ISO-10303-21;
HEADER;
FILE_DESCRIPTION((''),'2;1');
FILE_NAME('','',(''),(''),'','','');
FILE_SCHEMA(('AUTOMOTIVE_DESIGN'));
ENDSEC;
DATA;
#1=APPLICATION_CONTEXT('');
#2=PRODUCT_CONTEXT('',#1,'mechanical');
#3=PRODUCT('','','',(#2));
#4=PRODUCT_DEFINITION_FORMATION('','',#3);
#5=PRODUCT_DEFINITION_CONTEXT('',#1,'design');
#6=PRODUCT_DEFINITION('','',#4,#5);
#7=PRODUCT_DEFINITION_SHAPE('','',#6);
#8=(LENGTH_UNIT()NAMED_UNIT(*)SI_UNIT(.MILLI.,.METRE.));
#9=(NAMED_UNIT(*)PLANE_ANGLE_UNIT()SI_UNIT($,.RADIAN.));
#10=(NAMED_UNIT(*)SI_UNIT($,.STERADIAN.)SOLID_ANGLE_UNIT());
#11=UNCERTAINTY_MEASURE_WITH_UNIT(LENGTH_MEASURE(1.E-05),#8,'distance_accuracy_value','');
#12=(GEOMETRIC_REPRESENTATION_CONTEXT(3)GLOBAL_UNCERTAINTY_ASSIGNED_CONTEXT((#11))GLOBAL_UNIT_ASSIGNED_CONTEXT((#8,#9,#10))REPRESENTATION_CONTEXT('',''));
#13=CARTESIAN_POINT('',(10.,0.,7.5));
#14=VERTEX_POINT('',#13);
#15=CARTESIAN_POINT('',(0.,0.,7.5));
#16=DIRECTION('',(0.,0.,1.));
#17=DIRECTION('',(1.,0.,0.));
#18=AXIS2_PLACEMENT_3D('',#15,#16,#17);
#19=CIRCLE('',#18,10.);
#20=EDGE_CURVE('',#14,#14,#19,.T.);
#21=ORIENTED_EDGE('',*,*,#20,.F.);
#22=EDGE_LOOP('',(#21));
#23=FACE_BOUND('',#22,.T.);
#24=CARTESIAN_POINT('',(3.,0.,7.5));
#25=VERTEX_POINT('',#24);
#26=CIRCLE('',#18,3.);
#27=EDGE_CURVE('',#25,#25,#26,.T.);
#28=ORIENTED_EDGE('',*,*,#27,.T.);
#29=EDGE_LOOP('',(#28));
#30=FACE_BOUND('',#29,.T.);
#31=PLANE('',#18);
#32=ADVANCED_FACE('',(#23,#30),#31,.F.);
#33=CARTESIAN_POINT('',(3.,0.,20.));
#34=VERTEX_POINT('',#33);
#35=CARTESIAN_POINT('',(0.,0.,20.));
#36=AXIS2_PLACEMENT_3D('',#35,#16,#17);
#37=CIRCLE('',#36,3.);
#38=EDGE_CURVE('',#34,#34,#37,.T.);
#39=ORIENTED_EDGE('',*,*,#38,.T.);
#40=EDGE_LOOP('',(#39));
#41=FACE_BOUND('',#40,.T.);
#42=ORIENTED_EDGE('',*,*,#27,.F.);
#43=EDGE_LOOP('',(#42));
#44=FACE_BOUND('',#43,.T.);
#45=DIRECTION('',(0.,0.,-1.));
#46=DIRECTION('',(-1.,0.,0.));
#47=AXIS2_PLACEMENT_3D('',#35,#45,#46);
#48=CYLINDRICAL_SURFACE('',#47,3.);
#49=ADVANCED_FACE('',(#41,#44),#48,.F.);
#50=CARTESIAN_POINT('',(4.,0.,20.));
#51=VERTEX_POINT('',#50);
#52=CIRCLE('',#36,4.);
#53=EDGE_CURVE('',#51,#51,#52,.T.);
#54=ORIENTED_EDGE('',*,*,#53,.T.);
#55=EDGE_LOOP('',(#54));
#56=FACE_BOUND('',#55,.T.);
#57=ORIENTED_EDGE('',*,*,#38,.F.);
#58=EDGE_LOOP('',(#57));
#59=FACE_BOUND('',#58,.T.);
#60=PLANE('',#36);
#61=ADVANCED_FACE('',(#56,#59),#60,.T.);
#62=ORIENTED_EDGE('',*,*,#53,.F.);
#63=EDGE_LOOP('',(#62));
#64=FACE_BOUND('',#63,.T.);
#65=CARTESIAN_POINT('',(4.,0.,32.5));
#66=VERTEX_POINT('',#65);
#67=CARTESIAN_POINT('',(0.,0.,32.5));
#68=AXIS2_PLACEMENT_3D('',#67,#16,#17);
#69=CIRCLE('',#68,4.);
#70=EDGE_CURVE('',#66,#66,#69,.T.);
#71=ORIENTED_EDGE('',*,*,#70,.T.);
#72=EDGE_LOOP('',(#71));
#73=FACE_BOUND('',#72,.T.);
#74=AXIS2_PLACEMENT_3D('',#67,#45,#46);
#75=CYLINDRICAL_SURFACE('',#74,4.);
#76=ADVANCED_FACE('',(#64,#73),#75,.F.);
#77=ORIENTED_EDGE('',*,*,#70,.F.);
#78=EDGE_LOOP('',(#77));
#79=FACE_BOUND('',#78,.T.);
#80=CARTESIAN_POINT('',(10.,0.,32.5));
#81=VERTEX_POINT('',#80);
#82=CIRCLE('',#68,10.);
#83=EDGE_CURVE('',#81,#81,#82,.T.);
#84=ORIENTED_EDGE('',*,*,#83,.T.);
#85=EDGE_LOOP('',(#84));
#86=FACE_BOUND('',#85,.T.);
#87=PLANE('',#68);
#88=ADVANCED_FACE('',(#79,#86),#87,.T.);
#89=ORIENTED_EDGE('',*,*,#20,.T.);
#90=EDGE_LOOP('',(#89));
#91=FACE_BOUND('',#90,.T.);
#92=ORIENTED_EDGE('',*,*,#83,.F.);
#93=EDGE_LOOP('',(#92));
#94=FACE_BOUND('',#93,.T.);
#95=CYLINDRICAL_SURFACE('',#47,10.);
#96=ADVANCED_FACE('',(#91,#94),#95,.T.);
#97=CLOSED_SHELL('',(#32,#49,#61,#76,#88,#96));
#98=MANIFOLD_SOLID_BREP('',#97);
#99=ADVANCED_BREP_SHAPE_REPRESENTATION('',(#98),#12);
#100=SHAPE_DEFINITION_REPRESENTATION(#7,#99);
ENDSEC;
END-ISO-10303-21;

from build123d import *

# Parameters (mm, degrees)
SIX_BORE_START   = 7.5
PROFILE_1_R      = 10
PROFILE_1_R_2    = 3
SIX_BORE_DEPTH   = 12.5
EIGHT_BORE_START = 20
PROFILE_2_R      = 10
PROFILE_2_R_2    = 4
EIGHT_BORE_DEPTH = 12.5


with BuildPart() as part:
    # Profile_1 → Six_bore (new body)
    with BuildSketch(Plane.XY.offset(SIX_BORE_START)):
        Circle(PROFILE_1_R)
        Circle(PROFILE_1_R_2, mode=Mode.SUBTRACT)
    extrude(amount=SIX_BORE_DEPTH)

    # Profile_2 → Eight_bore (add)
    with BuildSketch(Plane.XY.offset(EIGHT_BORE_START)):
        Circle(PROFILE_2_R)
        Circle(PROFILE_2_R_2, mode=Mode.SUBTRACT)
    extrude(amount=EIGHT_BORE_DEPTH)


solid = part.part
